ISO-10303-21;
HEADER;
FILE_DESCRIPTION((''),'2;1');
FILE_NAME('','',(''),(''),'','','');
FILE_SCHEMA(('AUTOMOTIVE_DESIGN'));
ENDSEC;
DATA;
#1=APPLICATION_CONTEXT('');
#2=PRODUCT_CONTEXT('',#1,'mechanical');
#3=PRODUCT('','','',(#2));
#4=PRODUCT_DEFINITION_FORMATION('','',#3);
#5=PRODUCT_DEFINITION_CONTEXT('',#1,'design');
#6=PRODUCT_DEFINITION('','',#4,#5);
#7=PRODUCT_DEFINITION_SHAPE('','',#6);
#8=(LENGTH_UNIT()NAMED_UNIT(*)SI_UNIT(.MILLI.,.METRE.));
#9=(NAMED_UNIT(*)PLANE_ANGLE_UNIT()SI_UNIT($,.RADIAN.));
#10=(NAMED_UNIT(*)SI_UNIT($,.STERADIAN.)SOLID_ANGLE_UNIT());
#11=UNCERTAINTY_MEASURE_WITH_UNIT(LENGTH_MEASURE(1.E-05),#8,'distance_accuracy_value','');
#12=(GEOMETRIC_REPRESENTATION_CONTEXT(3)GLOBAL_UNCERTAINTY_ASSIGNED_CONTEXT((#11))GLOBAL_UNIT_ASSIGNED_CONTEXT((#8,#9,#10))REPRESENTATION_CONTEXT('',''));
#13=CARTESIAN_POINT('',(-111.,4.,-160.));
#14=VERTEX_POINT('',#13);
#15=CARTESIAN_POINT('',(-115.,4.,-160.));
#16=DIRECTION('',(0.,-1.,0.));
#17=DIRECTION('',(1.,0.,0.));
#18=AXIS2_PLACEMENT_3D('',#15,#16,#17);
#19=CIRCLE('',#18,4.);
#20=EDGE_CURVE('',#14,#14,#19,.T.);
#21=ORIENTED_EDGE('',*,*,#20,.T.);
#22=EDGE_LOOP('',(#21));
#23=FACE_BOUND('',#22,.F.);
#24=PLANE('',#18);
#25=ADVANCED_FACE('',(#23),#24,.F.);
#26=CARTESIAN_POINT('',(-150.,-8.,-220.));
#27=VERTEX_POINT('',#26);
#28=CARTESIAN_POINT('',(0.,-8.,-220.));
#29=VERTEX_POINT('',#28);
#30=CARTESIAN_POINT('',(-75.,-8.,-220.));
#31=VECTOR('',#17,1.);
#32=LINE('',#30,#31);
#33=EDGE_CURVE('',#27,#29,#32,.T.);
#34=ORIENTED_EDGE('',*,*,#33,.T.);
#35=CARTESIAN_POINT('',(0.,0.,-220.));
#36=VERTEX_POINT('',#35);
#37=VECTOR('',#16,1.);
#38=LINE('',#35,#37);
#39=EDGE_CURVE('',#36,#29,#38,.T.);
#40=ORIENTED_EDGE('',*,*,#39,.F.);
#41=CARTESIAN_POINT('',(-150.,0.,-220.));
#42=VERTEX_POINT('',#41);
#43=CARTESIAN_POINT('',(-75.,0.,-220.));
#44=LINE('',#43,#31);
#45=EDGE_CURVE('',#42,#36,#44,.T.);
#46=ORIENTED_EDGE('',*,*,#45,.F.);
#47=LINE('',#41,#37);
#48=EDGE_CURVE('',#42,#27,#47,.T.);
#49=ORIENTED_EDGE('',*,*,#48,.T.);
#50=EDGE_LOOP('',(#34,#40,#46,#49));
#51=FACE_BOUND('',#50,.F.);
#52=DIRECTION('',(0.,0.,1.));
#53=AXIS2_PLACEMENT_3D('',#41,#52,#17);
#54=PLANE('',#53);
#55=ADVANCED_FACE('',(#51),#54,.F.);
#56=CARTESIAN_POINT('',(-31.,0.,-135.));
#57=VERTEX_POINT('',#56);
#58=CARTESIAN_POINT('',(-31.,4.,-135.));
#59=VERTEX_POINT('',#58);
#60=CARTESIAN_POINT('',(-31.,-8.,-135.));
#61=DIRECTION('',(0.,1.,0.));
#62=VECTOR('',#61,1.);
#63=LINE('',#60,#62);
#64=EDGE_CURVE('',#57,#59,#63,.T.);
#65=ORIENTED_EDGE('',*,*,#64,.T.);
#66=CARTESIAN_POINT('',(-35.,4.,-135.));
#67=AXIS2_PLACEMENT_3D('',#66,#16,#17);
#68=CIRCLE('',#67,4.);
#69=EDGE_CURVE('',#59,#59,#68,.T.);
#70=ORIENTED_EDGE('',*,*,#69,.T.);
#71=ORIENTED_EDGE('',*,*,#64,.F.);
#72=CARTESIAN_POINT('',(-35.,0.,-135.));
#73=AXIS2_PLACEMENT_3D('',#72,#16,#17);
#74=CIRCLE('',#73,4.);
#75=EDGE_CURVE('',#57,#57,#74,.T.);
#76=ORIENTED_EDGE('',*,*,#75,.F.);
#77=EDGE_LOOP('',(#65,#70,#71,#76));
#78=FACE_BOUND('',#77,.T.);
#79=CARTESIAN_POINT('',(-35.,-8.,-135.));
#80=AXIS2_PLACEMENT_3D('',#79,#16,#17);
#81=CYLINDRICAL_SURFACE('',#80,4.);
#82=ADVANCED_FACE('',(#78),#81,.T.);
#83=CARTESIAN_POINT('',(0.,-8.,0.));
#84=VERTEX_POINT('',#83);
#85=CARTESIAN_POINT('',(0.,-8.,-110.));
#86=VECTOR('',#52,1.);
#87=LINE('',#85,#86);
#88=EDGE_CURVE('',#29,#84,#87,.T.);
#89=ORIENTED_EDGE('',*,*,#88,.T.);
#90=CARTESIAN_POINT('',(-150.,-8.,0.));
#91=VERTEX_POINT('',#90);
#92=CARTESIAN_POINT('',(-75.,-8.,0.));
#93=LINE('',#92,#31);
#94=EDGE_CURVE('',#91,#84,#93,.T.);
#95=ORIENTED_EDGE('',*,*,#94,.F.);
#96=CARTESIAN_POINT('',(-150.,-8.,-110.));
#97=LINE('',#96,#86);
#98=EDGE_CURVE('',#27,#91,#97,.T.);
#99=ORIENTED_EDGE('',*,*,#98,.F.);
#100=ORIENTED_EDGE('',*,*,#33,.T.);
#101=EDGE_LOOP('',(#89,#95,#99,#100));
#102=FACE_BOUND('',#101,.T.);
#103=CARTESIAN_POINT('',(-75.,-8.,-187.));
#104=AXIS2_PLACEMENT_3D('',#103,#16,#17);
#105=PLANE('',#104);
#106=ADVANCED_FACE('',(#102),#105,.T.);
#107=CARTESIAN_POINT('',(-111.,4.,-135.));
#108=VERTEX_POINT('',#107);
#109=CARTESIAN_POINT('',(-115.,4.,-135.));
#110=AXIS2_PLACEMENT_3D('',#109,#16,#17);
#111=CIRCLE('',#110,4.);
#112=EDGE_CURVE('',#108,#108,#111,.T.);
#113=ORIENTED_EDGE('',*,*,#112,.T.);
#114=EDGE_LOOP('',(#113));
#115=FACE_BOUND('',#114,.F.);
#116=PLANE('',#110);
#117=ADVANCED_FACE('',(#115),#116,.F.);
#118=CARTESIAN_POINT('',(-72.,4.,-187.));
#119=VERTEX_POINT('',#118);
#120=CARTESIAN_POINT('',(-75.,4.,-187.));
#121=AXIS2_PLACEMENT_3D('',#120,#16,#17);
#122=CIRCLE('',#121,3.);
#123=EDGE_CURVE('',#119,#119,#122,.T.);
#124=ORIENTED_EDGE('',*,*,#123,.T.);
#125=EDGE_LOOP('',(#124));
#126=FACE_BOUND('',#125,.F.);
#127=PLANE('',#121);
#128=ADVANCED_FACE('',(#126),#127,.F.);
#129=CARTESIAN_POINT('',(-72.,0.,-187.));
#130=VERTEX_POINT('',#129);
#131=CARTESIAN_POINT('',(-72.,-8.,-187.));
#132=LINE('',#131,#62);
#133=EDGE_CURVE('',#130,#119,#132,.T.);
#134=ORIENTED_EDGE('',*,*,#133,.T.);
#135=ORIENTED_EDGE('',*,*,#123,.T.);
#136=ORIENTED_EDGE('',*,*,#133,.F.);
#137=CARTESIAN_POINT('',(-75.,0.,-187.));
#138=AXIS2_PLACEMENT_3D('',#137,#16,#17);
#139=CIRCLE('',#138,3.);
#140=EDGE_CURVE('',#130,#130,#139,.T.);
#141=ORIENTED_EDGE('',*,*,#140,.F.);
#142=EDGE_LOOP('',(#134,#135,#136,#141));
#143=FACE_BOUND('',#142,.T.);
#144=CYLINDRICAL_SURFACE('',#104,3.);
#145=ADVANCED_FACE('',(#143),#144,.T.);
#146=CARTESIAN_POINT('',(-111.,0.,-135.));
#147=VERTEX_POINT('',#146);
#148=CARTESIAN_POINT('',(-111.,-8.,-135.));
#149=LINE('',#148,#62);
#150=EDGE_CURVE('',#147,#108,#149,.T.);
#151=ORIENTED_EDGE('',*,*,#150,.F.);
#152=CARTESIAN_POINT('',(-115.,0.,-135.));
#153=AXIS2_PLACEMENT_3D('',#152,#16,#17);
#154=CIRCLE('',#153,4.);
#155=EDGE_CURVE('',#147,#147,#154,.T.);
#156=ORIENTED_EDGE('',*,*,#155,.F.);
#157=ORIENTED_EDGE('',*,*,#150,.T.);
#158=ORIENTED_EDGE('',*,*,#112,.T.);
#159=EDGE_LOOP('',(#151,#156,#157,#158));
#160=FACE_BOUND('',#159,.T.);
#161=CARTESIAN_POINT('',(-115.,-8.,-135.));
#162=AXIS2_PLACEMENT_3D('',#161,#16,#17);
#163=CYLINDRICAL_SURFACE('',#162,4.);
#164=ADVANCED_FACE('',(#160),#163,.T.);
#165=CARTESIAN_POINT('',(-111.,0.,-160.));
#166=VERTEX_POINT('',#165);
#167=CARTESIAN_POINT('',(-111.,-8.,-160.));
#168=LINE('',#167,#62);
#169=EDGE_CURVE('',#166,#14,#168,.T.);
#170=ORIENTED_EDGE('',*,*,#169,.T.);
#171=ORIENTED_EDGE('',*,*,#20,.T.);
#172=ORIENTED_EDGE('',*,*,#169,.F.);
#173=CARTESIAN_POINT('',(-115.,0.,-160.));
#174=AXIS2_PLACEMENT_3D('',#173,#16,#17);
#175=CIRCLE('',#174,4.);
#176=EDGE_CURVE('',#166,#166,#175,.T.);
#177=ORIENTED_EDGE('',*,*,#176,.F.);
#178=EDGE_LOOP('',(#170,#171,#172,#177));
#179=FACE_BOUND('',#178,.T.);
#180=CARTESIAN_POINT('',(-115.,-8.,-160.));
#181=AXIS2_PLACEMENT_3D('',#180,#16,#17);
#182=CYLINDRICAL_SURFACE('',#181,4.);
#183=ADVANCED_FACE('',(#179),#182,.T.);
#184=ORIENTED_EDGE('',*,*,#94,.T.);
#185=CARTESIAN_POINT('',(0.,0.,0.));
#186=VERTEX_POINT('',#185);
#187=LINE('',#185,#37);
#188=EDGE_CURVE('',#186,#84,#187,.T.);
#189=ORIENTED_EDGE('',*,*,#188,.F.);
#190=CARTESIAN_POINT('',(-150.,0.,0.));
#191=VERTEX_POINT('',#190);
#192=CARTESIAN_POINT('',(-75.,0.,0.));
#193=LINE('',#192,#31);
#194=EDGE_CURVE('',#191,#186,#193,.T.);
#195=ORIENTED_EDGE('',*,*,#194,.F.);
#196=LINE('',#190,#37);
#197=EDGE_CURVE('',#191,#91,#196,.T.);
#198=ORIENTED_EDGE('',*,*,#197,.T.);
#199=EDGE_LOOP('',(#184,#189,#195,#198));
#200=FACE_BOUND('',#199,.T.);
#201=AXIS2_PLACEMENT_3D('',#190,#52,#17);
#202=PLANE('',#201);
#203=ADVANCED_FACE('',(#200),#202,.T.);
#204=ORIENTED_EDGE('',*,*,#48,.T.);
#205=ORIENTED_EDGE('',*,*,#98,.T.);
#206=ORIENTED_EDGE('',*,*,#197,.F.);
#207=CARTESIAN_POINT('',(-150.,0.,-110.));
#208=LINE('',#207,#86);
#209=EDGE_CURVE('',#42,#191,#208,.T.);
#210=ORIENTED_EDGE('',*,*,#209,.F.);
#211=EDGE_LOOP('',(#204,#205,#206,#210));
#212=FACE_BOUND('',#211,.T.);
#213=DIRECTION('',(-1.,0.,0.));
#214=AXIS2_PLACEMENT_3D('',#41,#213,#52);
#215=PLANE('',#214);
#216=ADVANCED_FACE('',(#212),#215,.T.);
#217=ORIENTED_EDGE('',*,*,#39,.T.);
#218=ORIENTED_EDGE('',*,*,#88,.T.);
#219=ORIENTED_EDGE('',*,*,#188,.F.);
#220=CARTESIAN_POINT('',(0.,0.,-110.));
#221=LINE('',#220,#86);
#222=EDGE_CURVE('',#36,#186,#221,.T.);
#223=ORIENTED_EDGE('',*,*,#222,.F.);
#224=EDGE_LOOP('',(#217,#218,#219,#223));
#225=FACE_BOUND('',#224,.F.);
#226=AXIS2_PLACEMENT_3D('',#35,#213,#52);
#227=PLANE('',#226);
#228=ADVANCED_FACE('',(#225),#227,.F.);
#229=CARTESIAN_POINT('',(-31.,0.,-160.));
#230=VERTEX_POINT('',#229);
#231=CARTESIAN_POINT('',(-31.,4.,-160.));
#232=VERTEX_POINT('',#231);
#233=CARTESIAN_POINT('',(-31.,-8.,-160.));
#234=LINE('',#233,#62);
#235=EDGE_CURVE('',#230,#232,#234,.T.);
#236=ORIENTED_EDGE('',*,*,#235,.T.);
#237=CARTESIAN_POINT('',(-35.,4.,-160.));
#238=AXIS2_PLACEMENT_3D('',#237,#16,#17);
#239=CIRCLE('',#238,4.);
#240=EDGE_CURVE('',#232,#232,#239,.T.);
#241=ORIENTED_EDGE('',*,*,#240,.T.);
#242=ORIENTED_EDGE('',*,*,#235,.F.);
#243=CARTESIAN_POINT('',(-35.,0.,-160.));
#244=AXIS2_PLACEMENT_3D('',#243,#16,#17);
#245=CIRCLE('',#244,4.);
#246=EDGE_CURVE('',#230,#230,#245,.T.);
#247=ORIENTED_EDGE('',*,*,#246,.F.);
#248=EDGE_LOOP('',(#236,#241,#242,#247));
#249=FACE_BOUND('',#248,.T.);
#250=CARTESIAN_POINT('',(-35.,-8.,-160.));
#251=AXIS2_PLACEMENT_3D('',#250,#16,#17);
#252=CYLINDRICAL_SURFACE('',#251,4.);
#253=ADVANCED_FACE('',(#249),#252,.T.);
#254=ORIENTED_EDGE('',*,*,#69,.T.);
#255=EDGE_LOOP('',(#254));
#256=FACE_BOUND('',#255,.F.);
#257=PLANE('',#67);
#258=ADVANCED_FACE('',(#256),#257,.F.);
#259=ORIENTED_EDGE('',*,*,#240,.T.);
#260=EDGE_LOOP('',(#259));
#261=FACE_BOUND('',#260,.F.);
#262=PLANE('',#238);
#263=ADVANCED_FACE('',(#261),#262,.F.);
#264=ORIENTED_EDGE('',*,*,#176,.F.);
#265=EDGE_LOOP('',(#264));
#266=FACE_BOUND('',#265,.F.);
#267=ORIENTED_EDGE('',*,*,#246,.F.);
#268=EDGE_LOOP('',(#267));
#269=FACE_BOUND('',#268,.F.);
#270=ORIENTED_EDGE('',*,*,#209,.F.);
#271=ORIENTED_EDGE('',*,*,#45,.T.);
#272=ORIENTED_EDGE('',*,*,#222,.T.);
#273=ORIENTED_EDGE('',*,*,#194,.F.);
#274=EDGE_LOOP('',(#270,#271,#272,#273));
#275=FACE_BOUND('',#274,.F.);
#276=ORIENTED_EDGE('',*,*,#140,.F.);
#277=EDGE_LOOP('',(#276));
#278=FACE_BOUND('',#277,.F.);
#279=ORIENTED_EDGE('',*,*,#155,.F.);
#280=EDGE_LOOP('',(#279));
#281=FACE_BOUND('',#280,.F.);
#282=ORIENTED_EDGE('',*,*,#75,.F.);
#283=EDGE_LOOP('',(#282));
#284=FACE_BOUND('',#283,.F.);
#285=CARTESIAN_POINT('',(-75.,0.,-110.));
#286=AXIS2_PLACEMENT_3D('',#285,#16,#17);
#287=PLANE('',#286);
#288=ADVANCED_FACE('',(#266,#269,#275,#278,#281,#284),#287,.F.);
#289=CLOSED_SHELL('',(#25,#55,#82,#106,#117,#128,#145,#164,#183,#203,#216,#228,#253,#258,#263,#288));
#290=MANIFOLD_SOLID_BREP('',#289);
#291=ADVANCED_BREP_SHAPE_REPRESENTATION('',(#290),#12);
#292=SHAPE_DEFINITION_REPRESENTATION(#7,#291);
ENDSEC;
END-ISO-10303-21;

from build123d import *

# Parameters (mm, degrees)
F0_W     = 150
F0_H     = 220
F1_DEPTH = 8
F2_R     = 3
F2_R_2   = 4
F3_DEPTH = 12


with BuildPart() as f1:
    # F0 (on Front) → F1 (new body)
    with BuildSketch(Plane.XZ):
        with Locations((-75, -110)):
            Rectangle(F0_W, F0_H)
    extrude(amount=F1_DEPTH)

    # F2 (on face) → F3 (join)
    with BuildSketch(Plane.XZ.offset(8)):
        with Locations((-75, -187)):
            Circle(F2_R)
        with Locations((-35, -135)):
            Circle(F2_R_2)
        with Locations((-35, -160)):
            Circle(F2_R_2)
        with Locations((-115, -135)):
            Circle(F2_R_2)
        with Locations((-115, -160)):
            Circle(F2_R_2)
    extrude(amount=-F3_DEPTH)


solid = f1.part
